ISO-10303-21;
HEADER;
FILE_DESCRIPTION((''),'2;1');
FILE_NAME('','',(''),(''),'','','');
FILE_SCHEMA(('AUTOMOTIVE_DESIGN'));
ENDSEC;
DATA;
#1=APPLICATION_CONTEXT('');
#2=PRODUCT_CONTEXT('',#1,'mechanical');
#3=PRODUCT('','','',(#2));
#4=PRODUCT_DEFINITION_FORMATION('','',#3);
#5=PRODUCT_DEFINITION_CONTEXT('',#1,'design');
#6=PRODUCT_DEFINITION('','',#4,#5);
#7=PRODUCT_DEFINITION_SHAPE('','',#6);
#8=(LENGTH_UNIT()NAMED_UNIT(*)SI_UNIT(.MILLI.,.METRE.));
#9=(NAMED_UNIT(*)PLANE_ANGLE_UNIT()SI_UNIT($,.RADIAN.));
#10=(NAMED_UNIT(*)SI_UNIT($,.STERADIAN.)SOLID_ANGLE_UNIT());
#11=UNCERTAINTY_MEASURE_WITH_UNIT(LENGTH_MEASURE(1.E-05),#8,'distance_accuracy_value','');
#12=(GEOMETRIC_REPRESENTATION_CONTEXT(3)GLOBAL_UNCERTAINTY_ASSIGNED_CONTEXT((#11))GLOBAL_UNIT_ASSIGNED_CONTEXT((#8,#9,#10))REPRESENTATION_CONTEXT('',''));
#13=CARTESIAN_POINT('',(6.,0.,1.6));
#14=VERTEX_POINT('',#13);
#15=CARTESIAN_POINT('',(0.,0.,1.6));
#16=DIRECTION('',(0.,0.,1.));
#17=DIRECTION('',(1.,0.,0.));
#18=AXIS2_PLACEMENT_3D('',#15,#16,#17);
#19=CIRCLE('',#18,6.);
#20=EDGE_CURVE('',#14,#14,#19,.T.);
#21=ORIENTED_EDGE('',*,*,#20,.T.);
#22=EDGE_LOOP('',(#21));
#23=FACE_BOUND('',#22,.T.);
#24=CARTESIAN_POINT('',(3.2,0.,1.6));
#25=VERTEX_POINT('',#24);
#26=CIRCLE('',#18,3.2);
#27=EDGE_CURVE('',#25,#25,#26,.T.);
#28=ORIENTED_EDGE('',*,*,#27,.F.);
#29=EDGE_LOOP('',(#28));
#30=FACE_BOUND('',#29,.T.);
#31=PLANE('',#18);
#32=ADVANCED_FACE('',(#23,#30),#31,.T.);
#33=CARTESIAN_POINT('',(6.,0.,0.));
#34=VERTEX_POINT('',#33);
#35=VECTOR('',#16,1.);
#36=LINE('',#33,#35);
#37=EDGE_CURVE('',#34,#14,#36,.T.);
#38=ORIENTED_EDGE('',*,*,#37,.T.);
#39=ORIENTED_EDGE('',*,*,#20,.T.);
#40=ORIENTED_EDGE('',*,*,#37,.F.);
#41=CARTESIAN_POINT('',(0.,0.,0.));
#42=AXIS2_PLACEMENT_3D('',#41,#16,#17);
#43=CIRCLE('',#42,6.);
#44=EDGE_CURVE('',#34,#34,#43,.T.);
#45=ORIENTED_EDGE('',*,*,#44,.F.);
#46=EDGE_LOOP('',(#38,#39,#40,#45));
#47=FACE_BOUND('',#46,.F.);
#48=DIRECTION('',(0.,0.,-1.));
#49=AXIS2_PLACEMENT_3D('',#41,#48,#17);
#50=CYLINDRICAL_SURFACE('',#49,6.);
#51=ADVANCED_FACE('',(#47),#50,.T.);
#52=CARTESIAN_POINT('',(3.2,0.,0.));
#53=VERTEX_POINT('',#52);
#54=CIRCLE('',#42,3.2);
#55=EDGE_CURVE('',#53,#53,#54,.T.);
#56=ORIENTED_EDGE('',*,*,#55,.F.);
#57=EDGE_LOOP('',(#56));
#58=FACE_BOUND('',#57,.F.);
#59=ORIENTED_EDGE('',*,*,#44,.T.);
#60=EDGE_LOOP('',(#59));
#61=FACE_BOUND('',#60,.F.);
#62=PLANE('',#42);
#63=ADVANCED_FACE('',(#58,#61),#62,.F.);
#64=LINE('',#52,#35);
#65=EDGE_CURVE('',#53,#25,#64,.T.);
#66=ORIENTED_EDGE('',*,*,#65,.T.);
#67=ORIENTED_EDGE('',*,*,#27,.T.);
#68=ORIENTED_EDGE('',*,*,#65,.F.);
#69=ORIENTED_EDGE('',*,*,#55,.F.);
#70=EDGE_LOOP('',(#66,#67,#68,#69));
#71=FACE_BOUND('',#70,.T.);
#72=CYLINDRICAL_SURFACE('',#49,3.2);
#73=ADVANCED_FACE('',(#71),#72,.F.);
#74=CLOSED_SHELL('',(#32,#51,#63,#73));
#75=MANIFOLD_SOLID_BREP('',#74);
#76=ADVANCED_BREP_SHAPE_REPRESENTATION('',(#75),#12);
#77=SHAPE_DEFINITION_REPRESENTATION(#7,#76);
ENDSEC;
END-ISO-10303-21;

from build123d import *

# Parameters (mm, degrees)
SKETCH_R   = 6
SKETCH_R_2 = 3.2
PAD_DEPTH  = 1.6


with BuildPart() as part:
    # Sketch → Pad (new body)
    with BuildSketch(Plane.XY):
        Circle(SKETCH_R)
        Circle(SKETCH_R_2, mode=Mode.SUBTRACT)
    extrude(amount=PAD_DEPTH)


solid = part.part
